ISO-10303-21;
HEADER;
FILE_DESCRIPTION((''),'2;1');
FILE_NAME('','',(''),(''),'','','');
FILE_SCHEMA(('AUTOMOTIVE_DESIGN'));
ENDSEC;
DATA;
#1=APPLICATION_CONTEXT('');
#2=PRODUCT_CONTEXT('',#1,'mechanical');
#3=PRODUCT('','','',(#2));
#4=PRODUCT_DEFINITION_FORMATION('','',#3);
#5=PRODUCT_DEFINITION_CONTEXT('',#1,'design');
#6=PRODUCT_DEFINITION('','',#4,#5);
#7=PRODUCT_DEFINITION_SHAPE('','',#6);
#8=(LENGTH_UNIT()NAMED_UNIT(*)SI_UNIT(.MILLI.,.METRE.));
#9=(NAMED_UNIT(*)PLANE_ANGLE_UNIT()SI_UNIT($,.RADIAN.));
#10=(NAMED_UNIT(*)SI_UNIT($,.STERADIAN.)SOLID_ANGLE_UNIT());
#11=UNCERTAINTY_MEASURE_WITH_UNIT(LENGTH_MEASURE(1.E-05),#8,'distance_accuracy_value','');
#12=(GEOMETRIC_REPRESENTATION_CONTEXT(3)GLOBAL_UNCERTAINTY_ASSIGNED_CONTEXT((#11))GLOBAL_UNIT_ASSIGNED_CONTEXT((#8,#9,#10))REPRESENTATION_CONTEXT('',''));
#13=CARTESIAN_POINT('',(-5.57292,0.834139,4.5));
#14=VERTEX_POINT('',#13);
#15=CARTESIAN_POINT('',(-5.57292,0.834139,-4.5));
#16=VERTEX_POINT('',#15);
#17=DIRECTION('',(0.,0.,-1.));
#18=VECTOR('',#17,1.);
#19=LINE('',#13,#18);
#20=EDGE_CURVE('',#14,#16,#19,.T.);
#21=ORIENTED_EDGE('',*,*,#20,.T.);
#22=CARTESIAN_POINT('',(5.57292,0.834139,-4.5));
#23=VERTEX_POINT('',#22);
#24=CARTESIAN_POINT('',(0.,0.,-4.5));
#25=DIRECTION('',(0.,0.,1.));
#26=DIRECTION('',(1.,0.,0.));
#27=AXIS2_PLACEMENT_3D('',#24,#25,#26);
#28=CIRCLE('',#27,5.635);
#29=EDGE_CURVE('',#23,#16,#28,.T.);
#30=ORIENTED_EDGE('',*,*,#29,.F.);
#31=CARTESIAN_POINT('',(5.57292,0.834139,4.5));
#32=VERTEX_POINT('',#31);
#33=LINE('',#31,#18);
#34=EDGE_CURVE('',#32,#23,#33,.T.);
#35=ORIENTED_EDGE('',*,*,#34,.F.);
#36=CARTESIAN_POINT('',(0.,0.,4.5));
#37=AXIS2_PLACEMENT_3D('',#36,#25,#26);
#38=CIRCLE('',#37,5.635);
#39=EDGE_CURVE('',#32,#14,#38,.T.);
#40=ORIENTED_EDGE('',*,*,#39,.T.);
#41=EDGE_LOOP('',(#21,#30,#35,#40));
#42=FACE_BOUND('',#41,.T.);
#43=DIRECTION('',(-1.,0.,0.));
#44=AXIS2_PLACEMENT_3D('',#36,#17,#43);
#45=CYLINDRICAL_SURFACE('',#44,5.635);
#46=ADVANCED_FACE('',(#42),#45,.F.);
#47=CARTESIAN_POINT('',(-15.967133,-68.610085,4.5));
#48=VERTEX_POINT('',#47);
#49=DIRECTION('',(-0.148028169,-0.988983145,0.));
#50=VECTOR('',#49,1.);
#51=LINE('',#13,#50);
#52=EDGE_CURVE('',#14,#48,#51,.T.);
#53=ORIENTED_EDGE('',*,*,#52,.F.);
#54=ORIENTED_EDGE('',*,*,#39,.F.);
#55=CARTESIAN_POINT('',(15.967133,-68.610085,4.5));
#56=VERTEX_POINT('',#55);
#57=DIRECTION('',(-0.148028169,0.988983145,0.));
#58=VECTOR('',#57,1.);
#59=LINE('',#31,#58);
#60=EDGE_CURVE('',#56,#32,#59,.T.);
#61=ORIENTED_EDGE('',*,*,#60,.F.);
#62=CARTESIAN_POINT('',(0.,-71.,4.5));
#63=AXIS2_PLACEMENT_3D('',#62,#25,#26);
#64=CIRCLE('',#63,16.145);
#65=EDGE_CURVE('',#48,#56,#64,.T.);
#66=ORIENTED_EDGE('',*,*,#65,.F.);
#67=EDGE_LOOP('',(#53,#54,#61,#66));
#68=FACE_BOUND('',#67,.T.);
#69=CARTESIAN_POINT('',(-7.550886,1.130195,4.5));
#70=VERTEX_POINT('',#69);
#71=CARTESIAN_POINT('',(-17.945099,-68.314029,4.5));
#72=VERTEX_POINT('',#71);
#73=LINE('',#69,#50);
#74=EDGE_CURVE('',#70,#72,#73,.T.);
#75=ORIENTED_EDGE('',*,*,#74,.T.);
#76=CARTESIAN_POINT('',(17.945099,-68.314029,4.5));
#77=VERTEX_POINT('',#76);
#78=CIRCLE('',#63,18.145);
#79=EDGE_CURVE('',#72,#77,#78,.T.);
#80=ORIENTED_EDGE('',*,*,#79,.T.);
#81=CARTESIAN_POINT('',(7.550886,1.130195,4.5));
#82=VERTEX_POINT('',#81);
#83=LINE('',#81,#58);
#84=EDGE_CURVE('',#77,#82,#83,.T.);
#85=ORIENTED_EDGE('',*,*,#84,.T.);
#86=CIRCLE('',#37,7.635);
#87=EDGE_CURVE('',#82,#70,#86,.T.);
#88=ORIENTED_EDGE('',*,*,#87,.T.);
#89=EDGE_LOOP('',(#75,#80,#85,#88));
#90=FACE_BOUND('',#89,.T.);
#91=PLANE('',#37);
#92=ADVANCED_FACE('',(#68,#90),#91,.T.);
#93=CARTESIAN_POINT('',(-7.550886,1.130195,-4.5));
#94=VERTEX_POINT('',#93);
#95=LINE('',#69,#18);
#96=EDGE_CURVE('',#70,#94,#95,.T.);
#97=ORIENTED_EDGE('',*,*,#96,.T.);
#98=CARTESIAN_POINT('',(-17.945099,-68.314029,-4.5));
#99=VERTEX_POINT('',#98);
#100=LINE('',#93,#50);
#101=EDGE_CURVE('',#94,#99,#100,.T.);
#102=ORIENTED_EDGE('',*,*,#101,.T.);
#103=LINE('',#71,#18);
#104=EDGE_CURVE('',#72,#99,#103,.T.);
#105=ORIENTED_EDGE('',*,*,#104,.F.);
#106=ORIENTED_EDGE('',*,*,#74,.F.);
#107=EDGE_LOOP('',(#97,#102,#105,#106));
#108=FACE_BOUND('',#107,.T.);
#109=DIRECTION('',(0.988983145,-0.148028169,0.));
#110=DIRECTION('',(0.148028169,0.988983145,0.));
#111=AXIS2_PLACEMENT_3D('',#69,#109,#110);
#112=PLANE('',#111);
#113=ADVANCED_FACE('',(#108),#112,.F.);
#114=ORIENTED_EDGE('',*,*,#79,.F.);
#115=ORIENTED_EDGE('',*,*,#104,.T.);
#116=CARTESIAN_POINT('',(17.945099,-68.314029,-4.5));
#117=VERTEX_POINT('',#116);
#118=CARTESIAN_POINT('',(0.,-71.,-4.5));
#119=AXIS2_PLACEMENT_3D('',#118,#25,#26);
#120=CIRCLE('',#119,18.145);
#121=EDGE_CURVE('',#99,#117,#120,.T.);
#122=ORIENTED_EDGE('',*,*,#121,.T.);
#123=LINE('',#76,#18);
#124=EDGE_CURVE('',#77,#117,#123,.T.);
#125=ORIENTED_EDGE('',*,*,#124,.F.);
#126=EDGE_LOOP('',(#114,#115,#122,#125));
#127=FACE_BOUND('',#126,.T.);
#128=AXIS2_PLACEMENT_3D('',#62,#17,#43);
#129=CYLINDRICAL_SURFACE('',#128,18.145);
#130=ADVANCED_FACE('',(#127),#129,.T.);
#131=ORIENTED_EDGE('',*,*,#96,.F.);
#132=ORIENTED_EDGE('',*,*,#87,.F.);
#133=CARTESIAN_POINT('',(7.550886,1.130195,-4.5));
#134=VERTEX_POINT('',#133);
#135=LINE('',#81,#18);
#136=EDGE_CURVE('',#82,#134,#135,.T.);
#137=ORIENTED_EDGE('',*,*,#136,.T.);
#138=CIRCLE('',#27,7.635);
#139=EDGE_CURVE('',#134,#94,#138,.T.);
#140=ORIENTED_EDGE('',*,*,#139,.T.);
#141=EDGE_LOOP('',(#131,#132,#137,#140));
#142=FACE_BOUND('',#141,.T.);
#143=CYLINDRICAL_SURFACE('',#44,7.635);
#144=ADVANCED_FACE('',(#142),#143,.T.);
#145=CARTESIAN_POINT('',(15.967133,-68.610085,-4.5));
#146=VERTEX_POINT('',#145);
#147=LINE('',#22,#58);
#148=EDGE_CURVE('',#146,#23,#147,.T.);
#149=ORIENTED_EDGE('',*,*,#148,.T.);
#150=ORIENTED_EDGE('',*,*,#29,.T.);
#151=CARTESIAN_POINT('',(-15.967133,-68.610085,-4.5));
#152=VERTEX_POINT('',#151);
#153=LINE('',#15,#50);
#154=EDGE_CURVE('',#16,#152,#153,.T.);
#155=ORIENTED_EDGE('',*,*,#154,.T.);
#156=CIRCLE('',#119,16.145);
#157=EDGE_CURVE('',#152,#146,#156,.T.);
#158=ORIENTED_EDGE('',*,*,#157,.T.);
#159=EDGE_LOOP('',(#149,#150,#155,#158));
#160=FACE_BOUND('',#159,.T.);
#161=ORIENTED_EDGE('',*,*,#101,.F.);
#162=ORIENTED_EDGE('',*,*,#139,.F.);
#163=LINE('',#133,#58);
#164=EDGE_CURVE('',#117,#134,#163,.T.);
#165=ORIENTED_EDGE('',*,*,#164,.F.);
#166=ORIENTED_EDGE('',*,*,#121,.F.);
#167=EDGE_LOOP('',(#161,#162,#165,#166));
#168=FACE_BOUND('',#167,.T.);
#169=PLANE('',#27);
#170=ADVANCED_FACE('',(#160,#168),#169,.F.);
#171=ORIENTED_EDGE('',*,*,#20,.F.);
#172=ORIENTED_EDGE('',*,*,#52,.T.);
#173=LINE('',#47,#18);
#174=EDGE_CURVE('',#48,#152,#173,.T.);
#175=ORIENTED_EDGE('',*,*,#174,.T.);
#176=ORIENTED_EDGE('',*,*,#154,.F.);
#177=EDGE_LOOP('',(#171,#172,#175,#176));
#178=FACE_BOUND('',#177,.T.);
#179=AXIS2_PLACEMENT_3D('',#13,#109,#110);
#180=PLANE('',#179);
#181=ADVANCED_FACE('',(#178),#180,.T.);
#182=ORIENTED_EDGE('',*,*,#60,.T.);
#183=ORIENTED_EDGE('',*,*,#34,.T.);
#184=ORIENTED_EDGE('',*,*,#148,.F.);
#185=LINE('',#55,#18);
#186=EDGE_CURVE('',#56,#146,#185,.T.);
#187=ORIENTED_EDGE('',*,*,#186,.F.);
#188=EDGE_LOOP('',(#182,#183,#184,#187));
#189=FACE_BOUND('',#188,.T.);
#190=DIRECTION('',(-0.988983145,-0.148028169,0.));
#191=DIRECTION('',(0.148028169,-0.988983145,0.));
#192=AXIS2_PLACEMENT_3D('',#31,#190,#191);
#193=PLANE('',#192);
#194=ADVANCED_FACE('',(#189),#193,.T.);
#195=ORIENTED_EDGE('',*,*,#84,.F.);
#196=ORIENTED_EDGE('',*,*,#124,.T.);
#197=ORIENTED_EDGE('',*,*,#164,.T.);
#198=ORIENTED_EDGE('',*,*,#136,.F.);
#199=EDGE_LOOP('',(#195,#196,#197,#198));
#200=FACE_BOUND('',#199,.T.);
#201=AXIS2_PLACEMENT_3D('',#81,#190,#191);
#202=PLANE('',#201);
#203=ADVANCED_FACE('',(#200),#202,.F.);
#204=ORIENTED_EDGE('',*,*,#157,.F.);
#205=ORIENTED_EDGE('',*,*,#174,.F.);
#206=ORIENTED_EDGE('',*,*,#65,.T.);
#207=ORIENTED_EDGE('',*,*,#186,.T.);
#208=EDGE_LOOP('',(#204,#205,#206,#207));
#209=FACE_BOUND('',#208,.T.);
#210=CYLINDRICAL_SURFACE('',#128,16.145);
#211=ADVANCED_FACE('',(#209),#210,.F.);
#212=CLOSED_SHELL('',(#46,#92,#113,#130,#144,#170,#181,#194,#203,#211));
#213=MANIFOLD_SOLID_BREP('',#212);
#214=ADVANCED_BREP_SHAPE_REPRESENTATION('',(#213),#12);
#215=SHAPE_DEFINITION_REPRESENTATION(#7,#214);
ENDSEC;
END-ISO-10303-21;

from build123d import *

# Parameters (mm, degrees)
EXTRUDE_THIN1_DEPTH = 4.5


with BuildPart() as part:
    # Sketch1 → Extrude-Thin1 (new body, symmetric)
    with BuildSketch(Plane.XY):
        with BuildLine():
            Line((17.945099167, -68.314028873), (7.550886312, 1.13019507))
            ThreePointArc((7.550886312, 1.13019507), (0, 7.635), (-7.550886312, 1.13019507))
            Line((-7.550886312, 1.13019507), (-17.945099167, -68.314028873))
            ThreePointArc((-17.945099167, -68.314028873), (0, -89.145), (17.945099167, -68.314028873))
        make_face()
        with BuildLine():
            Line((15.967132877, -68.610085211), (5.572920022, 0.834138732))
            ThreePointArc((5.572920022, 0.834138732), (0, 5.635), (-5.572920022, 0.834138732))
            Line((-5.572920022, 0.834138732), (-15.967132877, -68.610085211))
            ThreePointArc((-15.967132877, -68.610085211), (0, -87.145), (15.967132877, -68.610085211))
        make_face(mode=Mode.SUBTRACT)
    extrude(amount=EXTRUDE_THIN1_DEPTH, both=True)


solid = part.part
